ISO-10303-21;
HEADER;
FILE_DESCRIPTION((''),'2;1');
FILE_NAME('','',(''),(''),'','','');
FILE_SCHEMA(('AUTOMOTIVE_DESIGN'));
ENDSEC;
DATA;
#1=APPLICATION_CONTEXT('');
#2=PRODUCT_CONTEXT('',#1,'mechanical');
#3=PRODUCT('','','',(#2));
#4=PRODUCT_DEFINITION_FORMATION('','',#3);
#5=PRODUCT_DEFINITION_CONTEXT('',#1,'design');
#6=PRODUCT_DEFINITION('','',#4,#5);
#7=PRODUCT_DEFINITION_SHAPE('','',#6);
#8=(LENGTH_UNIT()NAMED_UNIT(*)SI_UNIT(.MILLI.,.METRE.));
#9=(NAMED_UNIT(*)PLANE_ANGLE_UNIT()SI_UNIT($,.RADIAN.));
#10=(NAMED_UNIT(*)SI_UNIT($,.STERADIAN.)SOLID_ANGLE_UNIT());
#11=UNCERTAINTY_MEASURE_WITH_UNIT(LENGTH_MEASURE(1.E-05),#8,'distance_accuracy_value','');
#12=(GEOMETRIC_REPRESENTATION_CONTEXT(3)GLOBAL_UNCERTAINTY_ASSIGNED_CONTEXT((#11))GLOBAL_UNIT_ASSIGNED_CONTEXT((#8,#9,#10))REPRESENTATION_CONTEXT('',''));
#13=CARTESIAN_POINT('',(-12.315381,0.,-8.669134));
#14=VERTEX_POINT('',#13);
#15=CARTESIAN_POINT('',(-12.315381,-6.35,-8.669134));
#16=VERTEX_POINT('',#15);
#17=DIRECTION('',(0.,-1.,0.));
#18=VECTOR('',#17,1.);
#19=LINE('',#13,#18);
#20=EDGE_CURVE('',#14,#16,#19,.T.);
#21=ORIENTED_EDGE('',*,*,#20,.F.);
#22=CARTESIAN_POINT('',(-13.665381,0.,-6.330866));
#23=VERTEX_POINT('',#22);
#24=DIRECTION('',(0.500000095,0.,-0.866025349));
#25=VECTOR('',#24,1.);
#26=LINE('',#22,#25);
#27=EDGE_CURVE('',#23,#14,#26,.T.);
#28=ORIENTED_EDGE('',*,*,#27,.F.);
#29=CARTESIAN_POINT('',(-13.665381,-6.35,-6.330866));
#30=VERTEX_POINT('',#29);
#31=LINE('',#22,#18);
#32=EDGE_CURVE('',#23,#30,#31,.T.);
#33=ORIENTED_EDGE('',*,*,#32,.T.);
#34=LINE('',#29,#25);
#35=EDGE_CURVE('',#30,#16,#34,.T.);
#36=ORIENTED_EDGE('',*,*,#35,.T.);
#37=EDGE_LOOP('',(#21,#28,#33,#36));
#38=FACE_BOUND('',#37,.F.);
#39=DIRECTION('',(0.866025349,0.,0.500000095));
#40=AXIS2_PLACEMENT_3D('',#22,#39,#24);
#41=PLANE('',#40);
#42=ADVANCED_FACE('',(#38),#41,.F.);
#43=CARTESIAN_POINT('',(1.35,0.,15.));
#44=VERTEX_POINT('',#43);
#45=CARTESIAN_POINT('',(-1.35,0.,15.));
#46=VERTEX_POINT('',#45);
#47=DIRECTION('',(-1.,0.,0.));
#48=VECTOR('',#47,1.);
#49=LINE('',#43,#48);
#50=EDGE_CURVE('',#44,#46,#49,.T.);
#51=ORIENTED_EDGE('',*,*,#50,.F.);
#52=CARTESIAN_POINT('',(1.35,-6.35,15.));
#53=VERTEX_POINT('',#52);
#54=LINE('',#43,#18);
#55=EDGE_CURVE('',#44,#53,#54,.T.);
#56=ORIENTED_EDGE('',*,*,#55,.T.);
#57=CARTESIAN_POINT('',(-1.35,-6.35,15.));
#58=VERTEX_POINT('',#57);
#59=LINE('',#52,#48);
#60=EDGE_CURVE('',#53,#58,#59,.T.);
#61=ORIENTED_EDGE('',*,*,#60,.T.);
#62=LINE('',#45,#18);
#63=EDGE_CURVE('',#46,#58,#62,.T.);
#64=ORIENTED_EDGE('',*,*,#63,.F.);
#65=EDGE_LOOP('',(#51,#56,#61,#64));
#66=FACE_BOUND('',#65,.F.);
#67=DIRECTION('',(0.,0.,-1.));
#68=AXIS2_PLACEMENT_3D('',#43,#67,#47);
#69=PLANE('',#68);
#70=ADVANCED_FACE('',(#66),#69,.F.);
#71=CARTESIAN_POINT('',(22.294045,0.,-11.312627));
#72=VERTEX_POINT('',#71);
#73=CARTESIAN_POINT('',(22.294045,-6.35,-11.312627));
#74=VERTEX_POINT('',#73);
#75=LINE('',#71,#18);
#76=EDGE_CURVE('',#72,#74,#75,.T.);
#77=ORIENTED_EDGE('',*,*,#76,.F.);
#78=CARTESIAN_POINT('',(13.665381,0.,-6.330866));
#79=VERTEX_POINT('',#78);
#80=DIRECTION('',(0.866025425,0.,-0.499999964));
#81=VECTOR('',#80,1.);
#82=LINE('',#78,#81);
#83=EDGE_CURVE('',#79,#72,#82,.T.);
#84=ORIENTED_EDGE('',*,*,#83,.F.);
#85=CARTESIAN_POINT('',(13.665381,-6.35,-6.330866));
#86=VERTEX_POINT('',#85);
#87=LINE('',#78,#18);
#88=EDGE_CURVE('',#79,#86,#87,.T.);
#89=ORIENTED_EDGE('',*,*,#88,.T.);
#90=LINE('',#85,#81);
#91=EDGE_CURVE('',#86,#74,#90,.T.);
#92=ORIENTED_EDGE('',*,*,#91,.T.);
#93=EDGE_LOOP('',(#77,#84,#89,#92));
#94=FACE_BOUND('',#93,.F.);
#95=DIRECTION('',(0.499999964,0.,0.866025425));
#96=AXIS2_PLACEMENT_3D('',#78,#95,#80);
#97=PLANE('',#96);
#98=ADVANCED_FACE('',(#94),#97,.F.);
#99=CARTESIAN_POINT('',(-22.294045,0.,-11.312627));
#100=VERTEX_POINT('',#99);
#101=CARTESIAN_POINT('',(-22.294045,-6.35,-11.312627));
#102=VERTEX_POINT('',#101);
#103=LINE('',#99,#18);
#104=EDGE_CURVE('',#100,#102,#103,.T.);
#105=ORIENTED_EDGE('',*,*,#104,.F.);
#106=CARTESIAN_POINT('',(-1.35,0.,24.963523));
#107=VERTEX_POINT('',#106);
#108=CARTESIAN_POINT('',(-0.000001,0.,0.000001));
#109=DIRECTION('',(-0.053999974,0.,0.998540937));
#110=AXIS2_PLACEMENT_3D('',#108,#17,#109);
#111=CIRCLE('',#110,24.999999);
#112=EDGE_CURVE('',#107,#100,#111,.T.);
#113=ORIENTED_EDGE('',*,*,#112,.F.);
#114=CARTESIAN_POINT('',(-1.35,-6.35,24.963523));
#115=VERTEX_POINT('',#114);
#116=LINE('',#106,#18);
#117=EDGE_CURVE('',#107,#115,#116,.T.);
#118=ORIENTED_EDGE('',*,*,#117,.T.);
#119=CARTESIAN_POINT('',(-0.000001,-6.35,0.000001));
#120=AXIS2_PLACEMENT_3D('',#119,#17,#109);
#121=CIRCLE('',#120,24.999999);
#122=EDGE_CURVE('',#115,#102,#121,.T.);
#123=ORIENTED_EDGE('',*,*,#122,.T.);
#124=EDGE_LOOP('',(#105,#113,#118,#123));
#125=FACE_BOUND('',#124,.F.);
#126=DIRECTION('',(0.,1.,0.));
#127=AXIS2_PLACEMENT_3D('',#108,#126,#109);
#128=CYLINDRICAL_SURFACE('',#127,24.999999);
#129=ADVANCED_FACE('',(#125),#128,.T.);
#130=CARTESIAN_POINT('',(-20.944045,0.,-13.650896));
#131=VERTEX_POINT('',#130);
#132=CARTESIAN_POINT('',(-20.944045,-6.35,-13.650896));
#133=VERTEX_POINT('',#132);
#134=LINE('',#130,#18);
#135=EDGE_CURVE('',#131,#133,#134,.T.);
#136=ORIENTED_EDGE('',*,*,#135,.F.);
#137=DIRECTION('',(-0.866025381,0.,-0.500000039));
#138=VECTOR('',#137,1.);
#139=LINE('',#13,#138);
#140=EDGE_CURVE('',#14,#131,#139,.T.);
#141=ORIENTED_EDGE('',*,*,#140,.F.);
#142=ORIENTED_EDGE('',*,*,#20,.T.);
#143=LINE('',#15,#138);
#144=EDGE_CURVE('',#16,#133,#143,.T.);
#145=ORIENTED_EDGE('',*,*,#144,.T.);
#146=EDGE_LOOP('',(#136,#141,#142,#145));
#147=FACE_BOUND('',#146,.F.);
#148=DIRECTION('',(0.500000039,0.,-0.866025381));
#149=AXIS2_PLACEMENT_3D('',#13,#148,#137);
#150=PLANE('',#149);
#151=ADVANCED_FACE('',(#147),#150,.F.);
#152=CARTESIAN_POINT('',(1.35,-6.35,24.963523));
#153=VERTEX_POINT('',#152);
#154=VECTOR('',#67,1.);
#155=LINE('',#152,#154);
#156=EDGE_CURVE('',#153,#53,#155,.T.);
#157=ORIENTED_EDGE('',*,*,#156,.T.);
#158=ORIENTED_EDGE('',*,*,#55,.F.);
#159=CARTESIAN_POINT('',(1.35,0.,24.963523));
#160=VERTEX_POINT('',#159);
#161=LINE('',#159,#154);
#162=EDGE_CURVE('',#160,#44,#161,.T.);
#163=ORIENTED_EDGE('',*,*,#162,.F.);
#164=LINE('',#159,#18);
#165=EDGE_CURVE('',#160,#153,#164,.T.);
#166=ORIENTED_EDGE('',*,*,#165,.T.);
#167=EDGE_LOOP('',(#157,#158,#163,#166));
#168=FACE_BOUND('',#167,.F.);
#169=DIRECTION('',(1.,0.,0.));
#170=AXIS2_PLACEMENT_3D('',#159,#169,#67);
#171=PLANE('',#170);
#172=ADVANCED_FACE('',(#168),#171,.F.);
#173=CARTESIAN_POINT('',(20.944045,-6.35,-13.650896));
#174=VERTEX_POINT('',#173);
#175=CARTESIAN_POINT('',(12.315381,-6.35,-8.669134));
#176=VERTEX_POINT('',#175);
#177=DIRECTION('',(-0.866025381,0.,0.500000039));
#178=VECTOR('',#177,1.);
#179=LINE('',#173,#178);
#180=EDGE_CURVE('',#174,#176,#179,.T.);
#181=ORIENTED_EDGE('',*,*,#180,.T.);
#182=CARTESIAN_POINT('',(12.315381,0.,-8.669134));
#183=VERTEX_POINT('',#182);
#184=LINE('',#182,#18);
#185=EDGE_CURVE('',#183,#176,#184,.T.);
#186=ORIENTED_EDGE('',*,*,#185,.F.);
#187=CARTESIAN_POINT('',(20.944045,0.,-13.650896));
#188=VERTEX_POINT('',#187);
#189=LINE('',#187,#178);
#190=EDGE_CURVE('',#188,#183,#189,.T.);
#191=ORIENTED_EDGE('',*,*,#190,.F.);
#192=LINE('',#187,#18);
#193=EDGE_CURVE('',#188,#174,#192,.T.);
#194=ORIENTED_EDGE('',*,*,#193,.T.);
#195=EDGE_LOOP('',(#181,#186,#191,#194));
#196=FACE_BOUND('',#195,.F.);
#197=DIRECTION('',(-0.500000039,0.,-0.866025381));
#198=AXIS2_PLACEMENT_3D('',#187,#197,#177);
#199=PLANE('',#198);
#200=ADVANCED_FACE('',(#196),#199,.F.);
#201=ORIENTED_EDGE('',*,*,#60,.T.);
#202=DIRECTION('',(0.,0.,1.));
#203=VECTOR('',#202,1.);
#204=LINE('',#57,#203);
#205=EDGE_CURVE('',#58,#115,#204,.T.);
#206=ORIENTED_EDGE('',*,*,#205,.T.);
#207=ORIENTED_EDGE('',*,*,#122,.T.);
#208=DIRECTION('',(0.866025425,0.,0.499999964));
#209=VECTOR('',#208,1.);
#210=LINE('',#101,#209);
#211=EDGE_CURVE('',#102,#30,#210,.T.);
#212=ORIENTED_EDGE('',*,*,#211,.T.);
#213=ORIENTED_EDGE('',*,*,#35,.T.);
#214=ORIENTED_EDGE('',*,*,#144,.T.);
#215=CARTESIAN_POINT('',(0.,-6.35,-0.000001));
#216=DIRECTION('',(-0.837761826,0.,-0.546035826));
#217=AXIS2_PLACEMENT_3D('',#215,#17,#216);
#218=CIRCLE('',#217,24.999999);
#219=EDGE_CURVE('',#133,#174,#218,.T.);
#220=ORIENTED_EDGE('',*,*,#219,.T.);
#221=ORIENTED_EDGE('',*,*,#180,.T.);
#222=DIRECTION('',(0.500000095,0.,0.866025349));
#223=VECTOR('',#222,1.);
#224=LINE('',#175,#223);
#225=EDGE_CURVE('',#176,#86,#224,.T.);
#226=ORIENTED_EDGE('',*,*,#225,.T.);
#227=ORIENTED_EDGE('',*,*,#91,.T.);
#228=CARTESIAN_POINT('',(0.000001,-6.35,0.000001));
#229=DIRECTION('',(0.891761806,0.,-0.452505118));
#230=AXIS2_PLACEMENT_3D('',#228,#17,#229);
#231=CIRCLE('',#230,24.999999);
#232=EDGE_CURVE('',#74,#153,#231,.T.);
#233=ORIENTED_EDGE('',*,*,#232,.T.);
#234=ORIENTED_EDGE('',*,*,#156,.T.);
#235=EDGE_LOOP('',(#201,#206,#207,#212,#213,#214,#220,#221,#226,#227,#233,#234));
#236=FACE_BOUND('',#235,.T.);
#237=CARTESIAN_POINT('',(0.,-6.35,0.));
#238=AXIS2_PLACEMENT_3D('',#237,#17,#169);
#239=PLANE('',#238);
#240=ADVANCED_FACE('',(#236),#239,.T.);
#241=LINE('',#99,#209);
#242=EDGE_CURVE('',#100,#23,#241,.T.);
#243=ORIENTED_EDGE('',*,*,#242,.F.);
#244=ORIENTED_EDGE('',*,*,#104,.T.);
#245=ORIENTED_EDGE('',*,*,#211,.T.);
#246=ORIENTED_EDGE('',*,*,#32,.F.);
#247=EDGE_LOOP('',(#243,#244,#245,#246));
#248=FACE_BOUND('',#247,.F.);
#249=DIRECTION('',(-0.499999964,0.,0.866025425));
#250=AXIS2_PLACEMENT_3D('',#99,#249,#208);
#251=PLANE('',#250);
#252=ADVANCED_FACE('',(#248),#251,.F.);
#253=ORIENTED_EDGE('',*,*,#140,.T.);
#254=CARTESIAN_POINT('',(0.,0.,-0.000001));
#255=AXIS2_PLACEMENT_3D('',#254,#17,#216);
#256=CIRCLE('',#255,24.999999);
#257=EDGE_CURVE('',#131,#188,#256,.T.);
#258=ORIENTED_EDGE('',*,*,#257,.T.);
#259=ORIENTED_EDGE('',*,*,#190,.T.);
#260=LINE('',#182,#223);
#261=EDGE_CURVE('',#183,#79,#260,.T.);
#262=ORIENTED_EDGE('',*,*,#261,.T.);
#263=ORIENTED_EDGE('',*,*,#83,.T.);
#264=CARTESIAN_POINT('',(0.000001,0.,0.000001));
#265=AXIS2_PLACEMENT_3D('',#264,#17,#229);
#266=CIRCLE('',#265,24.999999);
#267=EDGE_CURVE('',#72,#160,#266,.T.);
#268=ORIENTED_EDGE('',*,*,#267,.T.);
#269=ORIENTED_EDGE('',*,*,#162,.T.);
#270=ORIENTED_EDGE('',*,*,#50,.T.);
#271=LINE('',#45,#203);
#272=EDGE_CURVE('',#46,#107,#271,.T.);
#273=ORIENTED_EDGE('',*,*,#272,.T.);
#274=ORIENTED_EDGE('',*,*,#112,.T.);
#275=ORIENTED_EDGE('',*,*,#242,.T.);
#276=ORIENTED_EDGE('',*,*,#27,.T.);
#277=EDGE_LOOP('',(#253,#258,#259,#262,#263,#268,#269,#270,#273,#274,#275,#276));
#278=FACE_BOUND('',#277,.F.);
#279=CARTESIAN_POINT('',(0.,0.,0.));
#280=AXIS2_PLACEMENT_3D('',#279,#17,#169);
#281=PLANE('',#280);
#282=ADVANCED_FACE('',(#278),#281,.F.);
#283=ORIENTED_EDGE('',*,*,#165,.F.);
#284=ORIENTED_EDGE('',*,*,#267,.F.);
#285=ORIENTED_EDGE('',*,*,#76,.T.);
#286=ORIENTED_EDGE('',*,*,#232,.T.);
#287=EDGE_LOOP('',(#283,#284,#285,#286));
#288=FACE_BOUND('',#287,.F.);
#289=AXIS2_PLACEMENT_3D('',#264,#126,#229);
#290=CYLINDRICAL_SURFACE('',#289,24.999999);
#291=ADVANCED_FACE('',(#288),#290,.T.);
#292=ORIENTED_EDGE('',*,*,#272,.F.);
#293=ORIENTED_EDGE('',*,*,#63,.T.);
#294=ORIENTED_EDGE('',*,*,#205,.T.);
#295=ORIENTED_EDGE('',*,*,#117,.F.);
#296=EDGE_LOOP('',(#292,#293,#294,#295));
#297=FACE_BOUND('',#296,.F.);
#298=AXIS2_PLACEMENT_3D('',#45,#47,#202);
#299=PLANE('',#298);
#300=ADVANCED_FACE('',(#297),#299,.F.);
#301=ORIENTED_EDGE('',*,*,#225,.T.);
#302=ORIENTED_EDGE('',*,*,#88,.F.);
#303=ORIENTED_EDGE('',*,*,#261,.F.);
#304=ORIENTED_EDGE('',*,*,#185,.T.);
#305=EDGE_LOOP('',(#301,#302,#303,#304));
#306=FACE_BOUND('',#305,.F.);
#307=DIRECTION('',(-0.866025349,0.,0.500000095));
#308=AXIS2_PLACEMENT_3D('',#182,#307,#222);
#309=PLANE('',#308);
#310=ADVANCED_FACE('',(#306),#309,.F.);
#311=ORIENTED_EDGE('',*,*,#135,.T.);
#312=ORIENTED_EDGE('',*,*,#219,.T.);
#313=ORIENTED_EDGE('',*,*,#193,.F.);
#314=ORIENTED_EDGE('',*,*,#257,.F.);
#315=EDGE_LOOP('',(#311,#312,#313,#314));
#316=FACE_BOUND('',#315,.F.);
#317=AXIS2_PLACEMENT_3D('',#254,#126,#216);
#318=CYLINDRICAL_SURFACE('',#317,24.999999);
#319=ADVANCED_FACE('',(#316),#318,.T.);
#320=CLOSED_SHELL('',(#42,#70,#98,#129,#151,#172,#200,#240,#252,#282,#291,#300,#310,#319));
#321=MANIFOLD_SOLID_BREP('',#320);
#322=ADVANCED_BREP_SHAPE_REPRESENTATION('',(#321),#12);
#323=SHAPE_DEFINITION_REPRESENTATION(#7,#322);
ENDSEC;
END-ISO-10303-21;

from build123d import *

# Parameters (mm, degrees)
F1_DEPTH = 6.35


with BuildPart() as f1:
    # F0 (on Front) → F1 (new body)
    with BuildSketch(Plane.XZ):
        with BuildLine():
            Line((-1.35, 15), (-1.35, 24.963523))
            ThreePointArc((-1.35, 24.963523), (-21.650635, 12.5), (-22.294045, -11.312627))
            Line((-22.294045, -11.312627), (-13.665381, -6.330866))
            Line((-13.665381, -6.330866), (-12.315381, -8.669134))
            Line((-12.315381, -8.669134), (-20.944045, -13.650896))
            ThreePointArc((-20.944045, -13.650896), (0, -25), (20.944045, -13.650896))
            Line((20.944045, -13.650896), (12.315381, -8.669134))
            Line((12.315381, -8.669134), (13.665381, -6.330866))
            Line((13.665381, -6.330866), (22.294045, -11.312627))
            ThreePointArc((22.294045, -11.312627), (21.650635, 12.5), (1.35, 24.963523))
            Line((1.35, 24.963523), (1.35, 15))
            Line((1.35, 15), (-1.35, 15))
        make_face()
    extrude(amount=F1_DEPTH)


solid = f1.part
